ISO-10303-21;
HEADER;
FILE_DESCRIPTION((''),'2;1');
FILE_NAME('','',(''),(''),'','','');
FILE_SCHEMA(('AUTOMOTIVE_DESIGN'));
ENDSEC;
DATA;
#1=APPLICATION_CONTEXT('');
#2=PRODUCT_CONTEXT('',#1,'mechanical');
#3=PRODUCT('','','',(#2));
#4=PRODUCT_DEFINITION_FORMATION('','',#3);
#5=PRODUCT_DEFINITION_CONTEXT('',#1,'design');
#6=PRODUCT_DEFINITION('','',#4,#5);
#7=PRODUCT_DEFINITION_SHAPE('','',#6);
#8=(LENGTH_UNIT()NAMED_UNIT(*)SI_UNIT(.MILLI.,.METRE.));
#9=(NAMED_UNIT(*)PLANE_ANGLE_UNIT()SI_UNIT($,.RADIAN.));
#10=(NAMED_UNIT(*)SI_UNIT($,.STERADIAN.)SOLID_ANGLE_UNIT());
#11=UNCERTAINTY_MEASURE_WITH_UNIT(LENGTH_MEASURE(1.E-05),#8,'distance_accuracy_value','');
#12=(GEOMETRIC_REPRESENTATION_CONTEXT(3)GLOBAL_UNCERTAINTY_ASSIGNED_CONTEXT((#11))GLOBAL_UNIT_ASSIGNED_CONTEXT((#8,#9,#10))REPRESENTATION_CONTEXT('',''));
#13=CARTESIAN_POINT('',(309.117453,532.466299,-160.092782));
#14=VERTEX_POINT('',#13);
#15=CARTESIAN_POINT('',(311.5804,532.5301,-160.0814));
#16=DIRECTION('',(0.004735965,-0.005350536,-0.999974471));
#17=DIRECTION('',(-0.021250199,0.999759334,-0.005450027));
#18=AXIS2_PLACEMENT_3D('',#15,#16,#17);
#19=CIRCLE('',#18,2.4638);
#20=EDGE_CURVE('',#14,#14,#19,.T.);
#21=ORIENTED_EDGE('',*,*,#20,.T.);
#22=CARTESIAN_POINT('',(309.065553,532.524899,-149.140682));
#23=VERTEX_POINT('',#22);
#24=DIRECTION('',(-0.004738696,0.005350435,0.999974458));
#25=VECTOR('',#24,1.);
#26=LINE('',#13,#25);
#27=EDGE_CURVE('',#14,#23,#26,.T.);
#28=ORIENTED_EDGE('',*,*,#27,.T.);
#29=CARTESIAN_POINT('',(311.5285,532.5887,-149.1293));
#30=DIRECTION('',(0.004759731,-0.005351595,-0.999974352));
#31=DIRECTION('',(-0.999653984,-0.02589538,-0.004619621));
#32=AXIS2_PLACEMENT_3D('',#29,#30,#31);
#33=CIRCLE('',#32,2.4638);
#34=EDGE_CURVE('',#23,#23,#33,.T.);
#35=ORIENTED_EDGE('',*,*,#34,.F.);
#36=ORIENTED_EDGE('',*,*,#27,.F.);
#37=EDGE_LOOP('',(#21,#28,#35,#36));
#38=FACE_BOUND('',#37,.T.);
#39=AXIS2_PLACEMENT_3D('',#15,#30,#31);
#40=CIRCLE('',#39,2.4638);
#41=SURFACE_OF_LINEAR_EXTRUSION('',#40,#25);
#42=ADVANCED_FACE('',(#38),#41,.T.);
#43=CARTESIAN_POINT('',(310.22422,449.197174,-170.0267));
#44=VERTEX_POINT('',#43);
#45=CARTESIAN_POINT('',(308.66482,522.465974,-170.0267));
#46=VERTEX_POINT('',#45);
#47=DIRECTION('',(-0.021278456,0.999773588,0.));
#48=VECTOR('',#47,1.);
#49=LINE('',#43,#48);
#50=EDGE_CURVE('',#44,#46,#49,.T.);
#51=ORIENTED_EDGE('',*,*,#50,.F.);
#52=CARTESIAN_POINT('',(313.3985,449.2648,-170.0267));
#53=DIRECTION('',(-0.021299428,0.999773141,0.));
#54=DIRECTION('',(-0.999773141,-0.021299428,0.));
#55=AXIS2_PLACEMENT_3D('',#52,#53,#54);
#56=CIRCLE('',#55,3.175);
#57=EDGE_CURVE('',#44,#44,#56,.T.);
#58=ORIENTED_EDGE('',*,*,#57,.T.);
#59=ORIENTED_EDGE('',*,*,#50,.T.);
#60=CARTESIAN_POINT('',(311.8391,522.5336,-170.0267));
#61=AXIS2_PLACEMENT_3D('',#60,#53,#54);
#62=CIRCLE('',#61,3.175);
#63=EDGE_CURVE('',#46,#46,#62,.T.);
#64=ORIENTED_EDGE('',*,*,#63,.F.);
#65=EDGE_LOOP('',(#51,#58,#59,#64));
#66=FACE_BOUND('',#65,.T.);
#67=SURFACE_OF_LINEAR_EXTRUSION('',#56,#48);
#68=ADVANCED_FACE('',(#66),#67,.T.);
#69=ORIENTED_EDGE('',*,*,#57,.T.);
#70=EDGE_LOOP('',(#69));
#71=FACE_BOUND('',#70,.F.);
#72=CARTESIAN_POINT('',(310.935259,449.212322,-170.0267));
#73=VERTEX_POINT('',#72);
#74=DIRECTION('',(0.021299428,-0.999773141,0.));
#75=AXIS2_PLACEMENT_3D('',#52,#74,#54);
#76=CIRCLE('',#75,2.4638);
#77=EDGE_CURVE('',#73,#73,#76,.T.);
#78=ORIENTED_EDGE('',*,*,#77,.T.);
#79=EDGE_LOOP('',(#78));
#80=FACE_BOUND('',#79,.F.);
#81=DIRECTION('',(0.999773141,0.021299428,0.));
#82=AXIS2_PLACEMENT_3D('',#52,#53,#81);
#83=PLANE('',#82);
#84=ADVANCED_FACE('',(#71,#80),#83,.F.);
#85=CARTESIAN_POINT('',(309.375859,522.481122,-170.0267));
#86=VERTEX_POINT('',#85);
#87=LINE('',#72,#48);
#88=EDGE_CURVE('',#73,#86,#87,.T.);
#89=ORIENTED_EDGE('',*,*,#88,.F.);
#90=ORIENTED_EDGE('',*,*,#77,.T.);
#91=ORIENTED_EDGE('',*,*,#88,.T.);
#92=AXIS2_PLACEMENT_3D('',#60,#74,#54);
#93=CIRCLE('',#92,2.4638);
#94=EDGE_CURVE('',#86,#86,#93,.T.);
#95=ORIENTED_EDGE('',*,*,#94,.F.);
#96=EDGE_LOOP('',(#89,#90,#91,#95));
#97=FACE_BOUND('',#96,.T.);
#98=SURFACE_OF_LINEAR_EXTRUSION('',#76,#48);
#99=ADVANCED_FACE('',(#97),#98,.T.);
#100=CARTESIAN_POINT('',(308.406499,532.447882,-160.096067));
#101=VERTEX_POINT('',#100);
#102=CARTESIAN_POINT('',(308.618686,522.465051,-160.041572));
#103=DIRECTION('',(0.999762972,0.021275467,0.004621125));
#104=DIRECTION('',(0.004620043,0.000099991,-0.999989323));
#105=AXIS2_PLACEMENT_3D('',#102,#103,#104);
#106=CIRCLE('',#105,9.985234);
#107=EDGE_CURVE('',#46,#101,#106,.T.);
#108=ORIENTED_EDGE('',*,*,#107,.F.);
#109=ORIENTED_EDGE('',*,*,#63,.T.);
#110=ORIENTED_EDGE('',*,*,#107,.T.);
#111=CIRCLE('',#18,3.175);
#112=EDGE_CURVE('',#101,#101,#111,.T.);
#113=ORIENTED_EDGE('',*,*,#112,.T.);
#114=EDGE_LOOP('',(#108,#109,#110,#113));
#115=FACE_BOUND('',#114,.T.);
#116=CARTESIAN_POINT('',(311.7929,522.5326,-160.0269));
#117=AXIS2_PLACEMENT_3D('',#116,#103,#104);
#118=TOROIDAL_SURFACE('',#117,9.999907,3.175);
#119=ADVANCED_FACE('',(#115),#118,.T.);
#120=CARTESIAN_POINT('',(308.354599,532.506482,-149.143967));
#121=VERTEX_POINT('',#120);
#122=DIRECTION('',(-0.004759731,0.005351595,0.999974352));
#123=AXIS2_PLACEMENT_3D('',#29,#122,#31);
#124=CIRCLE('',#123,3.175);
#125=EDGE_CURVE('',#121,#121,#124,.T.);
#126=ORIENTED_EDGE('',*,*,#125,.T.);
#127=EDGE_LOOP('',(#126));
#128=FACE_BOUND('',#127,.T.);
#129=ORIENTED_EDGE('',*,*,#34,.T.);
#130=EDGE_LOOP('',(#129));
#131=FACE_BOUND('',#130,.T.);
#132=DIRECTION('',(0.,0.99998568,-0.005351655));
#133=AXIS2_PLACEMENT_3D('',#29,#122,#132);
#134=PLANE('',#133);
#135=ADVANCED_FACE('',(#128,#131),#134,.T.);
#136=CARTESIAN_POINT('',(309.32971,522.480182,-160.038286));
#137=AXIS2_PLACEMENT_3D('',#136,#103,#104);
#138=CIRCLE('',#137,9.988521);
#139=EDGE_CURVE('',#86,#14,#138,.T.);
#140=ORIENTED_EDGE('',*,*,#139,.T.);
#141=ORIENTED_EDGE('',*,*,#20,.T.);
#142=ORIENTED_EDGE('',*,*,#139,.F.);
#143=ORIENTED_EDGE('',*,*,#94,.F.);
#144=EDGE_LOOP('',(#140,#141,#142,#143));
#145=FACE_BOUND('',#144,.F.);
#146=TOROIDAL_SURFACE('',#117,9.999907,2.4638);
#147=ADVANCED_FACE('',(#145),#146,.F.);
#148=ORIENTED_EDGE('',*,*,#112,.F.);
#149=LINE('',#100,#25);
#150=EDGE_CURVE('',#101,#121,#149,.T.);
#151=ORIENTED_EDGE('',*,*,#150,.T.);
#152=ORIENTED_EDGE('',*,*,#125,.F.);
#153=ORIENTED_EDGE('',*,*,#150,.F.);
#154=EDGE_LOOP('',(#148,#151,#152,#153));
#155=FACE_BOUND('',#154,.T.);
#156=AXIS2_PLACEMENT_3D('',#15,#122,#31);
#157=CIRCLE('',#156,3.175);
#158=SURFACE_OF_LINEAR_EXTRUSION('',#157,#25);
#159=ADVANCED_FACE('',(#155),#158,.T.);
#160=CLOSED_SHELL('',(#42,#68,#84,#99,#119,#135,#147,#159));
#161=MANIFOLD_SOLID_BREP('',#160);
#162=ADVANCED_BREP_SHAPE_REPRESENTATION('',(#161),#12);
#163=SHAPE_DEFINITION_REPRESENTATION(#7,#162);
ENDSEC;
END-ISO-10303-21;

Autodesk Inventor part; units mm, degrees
ref_plane "YZ Plane" through (0, 0, 0) normal (1, 0, 0) x (0, 1, 0)
ref_plane "XZ Plane" through (0, 0, 0) normal (0, 1, 0) x (-1, 0, 0)
ref_plane "Work Plane5" through (313.3985, 449.2648, -170.0267) normal (-0.0213, 0.9998, 0) x (-0.9998, -0.0213, 0)
sketch "Sketch5" plane through (313.3985, 449.2648, -170.0267) normal (-0.0213, 0.9998, 0) x (-0.9998, -0.0213, 0)
  circle A0 centre (0, 0) radius 3.175
  circle A1 centre (0, 0) radius 2.4638
sketch3d "3D Sketch3"
  line L0 (313.3985, 449.2648, -170.0267) -> (311.8391, 522.5336, -170.0267)
  arc A0 (311.8391, 522.5336, -170.0267) -> (311.5804, 532.5301, -160.0814) centre (311.7929, 522.5326, -160.0269) ccw
  line L1 (311.5804, 532.5301, -160.0814) -> (311.5285, 532.5887, -149.1293)
  dimension "d12" = 9.9999
sweep "Sweep3" add profiles "Sketch5" path "3D Sketch3"
equation "\"OD\" = 6.35"
equation "\"t\" = 0.7112"
equation "\"L\" = PL"
equation "\"ID\" = 4.9276"
equation "\"PL\" = 99.8982"
equation "\"D\" = 15.24"
equation "\"Size_Designation\" = 1.2345"
properties material "Stainless Steel"
